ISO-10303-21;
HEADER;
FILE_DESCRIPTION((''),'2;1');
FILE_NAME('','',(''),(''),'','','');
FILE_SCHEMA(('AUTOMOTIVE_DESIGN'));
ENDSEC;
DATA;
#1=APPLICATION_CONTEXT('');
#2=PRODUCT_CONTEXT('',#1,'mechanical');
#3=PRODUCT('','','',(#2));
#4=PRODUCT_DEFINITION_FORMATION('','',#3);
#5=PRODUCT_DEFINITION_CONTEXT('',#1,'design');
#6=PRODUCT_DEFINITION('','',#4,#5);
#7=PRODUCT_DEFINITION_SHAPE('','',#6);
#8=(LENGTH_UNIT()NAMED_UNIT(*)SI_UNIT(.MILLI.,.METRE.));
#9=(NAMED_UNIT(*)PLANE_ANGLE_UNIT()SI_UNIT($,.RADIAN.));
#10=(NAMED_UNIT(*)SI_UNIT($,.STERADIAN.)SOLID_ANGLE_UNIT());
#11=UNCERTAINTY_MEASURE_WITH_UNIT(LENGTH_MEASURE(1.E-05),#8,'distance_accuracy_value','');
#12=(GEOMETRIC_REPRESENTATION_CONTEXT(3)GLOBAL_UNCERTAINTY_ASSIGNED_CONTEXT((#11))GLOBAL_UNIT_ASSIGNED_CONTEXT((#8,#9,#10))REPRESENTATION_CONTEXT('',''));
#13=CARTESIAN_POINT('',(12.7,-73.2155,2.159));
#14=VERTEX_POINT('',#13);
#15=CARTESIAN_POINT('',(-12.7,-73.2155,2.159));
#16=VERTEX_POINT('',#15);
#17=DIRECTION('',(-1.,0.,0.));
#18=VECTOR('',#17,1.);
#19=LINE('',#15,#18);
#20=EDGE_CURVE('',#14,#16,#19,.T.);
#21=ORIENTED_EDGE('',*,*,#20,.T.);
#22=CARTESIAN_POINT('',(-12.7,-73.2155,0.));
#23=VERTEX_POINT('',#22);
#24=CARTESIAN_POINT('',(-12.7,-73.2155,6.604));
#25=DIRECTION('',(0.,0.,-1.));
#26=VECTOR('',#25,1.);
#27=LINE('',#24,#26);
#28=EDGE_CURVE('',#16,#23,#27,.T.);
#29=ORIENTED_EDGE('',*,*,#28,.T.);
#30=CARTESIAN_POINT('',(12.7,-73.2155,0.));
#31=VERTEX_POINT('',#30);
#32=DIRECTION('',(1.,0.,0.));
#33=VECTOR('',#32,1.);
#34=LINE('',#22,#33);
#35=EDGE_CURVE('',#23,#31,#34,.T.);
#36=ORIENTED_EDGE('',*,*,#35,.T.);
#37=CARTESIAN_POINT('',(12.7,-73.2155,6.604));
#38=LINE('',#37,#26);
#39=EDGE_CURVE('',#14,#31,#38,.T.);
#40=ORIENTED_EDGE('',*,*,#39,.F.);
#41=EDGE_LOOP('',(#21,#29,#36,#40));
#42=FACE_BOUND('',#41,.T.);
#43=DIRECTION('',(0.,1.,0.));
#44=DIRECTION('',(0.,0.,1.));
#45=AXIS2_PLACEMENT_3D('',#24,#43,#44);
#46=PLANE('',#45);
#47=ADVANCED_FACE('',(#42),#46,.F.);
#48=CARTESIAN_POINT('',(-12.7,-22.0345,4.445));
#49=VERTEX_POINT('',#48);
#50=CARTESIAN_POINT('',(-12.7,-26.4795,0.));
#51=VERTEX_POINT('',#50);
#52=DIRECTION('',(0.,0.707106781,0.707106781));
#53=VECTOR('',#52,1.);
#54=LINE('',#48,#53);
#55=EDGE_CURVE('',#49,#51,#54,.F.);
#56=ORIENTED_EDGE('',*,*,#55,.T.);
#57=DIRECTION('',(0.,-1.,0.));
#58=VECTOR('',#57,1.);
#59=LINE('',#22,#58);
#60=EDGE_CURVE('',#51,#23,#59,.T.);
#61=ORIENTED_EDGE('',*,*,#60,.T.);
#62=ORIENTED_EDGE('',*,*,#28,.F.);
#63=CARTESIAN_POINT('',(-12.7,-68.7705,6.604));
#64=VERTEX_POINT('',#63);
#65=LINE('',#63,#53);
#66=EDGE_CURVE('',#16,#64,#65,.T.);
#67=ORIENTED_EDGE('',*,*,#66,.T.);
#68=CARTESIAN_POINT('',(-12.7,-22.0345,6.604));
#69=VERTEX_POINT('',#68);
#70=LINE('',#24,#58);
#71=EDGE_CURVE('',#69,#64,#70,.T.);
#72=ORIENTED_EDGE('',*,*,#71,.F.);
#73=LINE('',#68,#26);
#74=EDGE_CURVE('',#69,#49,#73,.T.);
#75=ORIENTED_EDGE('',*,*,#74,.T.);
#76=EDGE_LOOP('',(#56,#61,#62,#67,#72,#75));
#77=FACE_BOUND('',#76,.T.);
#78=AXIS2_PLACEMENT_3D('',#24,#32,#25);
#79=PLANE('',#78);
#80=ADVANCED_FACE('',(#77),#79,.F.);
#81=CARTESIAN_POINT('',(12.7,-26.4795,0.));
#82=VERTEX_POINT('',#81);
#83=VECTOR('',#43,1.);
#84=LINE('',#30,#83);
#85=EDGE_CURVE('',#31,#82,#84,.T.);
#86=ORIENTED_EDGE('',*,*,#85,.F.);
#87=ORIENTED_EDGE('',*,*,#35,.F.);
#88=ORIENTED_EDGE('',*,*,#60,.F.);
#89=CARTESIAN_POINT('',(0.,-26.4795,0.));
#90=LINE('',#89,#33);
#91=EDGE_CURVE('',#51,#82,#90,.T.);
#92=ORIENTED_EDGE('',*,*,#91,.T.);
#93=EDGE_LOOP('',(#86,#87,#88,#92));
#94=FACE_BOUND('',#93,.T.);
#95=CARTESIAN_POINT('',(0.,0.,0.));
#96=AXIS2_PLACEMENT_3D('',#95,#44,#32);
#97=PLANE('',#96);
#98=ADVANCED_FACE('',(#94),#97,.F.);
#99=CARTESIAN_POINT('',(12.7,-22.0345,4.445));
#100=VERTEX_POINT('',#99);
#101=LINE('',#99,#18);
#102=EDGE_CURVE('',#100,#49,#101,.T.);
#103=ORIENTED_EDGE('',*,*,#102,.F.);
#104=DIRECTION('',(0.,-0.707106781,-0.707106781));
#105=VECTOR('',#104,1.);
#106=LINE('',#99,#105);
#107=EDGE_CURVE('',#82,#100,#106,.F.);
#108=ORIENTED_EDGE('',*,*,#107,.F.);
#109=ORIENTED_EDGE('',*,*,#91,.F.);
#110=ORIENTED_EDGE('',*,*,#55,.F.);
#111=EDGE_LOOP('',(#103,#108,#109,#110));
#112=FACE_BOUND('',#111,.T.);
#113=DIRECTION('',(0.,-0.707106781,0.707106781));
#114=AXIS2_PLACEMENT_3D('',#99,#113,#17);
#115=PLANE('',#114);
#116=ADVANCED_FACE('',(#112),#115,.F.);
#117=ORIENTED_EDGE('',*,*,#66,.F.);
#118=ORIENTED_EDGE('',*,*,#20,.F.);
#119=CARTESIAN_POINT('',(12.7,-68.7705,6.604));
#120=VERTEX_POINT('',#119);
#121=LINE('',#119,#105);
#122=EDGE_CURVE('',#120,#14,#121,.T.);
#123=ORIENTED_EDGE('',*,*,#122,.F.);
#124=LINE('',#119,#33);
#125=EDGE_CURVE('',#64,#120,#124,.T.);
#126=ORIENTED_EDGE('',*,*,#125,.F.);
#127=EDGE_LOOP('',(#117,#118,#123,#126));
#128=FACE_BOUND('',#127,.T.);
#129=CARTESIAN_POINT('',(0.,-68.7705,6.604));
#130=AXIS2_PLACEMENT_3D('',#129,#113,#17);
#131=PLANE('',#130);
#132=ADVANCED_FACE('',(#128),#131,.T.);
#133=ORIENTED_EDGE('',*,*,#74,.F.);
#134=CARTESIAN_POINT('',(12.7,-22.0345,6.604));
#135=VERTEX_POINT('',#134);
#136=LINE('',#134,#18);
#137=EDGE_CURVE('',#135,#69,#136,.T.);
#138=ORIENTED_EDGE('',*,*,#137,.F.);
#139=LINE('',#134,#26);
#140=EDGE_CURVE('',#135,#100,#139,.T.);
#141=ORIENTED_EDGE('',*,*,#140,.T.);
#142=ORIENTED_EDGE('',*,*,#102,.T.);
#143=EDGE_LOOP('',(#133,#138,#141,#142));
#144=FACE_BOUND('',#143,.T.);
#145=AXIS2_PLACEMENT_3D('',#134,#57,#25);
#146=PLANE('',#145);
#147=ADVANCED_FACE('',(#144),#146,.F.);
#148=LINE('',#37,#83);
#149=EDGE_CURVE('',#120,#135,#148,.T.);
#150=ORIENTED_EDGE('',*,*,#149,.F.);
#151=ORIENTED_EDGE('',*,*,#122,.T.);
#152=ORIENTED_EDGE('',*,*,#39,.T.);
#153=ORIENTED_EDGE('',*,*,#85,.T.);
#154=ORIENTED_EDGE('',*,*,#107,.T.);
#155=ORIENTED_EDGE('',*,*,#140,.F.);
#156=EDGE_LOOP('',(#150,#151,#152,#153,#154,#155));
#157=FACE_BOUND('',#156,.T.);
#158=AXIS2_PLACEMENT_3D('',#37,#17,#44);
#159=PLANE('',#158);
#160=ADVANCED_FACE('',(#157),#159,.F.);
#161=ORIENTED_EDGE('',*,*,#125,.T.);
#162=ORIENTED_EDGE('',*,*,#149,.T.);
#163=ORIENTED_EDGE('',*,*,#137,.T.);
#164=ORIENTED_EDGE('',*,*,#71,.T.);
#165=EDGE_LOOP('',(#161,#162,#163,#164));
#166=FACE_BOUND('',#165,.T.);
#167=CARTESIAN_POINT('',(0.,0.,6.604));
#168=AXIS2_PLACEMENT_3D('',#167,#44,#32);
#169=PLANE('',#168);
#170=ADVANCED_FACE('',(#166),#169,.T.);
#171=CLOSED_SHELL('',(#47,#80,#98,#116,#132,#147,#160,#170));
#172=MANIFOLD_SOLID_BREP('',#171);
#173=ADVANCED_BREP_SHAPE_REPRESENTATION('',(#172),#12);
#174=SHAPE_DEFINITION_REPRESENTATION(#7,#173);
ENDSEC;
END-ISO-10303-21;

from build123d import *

# Parameters (mm, degrees)
SKETCH1_W           = 25.4
SKETCH1_H           = 51.181
BOSS_EXTRUDE1_DEPTH = 6.604
CHAMFER1_SIZE       = 4.445


with BuildPart() as part:
    # Sketch1 → Boss-Extrude1 (new body)
    with BuildSketch(Plane.XY):
        with Locations((0, -47.625)):
            Rectangle(SKETCH1_W, SKETCH1_H)
    extrude(amount=BOSS_EXTRUDE1_DEPTH)

    # Chamfer1
    chamfer1_edges = [part.edges().sort_by_distance(p)[0] for p in [
        (0, -73.2155, 6.604),
        (0, -22.0345, 0),
    ]]
    chamfer(chamfer1_edges, length=CHAMFER1_SIZE)


solid = part.part
